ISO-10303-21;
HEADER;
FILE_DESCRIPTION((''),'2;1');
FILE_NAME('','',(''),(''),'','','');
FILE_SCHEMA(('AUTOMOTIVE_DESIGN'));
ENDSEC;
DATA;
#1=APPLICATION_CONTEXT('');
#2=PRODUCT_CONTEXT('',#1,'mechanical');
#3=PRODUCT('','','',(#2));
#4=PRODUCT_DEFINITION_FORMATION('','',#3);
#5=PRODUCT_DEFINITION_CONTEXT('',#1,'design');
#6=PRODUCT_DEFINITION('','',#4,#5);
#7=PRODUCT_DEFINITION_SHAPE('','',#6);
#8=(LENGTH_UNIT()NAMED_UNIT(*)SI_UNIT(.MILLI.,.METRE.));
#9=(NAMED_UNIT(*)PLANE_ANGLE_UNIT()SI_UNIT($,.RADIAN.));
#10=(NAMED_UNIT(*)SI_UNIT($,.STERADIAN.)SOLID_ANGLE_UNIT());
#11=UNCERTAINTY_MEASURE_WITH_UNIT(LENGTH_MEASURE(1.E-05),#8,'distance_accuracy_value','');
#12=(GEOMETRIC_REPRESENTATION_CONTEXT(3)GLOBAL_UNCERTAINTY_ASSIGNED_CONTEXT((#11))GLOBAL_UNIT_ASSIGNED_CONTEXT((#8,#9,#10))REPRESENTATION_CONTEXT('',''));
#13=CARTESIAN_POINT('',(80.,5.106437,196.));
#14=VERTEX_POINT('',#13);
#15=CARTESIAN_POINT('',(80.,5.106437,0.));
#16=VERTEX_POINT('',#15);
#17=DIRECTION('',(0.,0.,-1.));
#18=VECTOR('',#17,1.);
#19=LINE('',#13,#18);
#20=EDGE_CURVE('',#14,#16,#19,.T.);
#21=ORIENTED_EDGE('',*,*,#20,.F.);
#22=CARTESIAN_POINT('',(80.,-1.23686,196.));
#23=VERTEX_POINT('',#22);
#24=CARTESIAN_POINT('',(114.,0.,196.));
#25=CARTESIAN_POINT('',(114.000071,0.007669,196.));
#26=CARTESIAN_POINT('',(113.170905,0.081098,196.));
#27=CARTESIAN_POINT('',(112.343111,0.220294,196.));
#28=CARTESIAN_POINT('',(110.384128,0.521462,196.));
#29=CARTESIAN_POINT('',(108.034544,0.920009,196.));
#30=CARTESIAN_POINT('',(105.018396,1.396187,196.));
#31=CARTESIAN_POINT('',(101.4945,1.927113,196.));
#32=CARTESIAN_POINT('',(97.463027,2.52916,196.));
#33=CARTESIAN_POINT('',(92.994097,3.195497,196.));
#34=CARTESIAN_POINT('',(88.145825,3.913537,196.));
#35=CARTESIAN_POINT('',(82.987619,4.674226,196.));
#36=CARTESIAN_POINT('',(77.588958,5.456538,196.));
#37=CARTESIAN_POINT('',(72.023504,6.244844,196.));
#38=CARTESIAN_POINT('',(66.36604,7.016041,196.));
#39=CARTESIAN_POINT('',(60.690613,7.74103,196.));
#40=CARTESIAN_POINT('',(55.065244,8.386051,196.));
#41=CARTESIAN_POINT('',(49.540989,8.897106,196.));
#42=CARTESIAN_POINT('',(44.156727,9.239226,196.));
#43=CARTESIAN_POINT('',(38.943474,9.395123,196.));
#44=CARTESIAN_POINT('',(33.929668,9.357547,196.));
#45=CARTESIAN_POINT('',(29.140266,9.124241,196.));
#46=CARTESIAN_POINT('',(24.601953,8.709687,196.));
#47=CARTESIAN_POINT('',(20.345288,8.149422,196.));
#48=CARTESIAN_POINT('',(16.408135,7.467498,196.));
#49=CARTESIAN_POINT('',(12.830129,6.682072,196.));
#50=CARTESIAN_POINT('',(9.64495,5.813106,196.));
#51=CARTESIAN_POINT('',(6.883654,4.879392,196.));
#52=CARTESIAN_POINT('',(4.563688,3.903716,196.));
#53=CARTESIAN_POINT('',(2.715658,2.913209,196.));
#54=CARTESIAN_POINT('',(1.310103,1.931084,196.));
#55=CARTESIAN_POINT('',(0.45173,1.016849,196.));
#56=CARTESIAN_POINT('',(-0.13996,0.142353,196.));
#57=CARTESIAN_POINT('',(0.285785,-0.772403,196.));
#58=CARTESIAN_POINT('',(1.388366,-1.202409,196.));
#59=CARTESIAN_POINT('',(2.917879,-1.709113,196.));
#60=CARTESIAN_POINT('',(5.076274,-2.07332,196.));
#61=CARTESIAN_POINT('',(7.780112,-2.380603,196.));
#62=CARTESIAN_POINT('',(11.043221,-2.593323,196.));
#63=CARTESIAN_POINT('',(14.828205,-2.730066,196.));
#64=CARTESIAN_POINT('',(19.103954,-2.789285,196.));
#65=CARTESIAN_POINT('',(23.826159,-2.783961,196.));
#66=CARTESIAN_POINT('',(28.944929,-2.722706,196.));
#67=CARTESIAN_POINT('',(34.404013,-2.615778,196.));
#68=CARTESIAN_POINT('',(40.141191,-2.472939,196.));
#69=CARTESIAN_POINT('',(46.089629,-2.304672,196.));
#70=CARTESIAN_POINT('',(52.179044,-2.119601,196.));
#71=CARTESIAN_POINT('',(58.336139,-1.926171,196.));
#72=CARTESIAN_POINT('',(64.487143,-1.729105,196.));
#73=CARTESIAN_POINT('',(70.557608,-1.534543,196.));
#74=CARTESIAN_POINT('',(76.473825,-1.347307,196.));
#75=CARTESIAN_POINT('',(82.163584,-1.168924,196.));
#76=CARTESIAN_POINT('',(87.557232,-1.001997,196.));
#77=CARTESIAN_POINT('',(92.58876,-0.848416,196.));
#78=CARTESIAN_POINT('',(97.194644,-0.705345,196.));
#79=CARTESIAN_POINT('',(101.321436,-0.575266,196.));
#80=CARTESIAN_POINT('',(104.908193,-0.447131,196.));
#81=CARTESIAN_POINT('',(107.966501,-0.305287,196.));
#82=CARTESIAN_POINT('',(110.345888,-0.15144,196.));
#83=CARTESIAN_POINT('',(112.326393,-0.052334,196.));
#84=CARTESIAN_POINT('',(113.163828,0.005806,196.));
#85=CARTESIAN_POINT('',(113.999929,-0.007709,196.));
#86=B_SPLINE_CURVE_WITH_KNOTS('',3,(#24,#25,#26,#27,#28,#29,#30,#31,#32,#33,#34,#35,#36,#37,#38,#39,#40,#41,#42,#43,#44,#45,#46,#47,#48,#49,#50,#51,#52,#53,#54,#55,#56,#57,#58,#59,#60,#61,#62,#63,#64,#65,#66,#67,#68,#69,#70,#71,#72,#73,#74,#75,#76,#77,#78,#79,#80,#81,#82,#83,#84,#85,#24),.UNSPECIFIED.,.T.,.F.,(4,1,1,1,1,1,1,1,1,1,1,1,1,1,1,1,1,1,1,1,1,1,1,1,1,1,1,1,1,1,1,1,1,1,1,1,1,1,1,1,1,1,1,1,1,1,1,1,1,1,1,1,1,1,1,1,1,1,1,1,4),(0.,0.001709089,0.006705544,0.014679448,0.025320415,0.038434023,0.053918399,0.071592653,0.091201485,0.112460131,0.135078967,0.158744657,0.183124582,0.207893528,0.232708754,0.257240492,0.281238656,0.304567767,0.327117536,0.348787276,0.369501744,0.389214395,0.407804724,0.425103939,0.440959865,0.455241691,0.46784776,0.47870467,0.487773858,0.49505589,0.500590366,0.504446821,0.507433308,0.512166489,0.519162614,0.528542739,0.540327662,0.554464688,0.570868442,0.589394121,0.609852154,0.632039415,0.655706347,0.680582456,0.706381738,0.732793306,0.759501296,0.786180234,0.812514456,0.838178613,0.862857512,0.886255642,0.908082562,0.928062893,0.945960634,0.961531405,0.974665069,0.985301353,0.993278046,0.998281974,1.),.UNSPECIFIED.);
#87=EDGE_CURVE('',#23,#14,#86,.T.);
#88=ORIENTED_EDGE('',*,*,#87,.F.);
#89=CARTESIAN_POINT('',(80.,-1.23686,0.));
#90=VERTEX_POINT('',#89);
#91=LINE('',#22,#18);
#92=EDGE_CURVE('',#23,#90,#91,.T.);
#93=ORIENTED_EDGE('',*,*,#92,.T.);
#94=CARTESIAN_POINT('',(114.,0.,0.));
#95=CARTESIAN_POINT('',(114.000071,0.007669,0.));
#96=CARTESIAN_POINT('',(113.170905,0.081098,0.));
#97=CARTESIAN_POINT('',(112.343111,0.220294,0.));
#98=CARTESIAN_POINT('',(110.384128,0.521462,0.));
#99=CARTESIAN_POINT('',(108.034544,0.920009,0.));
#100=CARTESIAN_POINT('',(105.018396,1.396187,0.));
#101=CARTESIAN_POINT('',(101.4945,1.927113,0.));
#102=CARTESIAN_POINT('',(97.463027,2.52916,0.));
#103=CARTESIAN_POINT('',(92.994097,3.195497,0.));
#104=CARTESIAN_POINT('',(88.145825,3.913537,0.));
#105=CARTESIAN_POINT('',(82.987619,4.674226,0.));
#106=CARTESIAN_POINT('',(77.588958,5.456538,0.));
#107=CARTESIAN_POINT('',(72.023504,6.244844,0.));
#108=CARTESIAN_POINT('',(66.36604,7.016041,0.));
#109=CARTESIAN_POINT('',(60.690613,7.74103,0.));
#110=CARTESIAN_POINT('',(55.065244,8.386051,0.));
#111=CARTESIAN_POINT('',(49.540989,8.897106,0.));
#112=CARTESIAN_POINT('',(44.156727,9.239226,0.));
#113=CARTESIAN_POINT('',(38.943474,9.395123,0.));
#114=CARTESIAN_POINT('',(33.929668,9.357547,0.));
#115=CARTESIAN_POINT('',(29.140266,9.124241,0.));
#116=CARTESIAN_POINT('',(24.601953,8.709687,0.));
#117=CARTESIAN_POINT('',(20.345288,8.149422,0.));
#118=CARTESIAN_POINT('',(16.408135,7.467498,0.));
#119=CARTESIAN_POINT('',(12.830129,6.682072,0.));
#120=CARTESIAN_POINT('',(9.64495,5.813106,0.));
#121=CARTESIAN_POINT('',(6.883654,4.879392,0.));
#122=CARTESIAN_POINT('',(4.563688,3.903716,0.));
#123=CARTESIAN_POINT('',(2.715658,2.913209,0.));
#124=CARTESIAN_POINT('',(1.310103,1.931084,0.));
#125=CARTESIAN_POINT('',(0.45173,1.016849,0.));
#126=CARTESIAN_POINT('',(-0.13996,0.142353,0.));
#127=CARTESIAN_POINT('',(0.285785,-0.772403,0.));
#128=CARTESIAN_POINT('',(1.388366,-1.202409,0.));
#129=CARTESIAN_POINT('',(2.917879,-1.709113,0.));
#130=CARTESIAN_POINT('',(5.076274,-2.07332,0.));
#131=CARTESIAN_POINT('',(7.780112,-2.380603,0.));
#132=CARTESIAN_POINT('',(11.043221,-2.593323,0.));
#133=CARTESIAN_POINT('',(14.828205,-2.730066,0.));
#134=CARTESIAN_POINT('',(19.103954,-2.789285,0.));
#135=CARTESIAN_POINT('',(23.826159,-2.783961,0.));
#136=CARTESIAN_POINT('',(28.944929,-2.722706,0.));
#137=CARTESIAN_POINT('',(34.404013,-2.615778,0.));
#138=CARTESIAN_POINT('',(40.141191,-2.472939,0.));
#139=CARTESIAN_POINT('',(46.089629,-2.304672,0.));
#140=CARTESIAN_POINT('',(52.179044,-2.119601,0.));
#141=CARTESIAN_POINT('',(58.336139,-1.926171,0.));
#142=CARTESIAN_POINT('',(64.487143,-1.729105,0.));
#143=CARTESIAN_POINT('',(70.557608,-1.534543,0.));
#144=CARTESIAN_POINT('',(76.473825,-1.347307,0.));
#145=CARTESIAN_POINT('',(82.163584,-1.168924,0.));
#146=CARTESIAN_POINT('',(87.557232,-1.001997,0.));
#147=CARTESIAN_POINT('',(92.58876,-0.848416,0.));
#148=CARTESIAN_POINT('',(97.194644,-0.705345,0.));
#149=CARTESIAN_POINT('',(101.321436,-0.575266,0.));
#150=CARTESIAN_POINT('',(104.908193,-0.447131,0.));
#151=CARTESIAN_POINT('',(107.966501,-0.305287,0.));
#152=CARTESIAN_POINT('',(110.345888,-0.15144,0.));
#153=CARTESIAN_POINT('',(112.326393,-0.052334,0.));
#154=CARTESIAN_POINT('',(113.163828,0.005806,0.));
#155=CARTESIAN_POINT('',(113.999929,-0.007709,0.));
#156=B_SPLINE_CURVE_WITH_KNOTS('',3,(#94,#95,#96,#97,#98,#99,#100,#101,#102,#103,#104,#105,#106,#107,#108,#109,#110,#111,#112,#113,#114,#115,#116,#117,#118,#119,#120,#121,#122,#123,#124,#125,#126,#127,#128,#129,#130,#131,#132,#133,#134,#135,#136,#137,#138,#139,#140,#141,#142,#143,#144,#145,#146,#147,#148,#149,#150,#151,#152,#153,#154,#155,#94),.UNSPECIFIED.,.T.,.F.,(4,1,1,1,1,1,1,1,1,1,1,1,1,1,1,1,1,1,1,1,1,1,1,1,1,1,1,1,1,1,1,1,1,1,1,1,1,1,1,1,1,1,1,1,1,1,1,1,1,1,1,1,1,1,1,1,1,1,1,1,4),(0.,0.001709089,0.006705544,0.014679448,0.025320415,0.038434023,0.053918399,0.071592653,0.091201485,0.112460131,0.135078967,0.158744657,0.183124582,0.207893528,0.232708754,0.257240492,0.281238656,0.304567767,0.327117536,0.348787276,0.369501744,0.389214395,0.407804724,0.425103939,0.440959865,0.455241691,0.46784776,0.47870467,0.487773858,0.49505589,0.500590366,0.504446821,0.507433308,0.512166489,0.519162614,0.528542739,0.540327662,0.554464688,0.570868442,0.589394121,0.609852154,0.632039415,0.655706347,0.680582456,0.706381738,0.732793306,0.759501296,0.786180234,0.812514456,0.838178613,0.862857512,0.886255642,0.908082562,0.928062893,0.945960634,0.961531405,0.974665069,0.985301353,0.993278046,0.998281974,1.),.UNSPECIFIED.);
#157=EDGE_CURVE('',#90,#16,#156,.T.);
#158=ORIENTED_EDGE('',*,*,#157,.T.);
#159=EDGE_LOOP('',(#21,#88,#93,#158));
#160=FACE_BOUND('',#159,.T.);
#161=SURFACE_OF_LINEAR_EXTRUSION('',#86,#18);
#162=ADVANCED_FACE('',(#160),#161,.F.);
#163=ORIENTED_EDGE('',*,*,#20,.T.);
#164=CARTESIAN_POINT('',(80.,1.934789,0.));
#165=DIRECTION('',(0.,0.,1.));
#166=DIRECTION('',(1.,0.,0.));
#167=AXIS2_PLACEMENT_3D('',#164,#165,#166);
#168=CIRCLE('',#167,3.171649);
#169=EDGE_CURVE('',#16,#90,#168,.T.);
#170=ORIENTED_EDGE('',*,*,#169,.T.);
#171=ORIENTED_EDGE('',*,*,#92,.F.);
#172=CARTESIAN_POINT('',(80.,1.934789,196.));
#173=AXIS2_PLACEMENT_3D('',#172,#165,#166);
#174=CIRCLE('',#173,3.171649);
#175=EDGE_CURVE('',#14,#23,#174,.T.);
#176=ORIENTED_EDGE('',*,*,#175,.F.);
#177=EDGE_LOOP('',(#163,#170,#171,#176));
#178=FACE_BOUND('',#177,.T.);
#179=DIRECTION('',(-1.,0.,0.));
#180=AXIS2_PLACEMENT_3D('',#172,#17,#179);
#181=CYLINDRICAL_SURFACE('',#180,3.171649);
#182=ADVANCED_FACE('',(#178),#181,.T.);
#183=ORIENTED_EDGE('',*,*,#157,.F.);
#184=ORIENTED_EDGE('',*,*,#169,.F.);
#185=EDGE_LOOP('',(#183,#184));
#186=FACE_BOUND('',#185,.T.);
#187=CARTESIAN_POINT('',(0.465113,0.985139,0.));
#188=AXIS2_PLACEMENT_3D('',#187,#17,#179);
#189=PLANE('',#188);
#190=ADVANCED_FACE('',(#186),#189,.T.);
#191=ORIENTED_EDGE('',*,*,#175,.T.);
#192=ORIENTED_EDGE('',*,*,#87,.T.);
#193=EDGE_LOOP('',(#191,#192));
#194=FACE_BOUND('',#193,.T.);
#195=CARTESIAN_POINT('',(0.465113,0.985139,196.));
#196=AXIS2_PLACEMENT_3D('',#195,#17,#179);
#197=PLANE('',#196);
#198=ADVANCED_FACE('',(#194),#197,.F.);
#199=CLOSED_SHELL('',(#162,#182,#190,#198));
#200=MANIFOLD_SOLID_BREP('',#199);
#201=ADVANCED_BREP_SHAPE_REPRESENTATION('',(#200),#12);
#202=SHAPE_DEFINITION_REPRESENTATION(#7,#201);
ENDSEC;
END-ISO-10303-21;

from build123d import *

# Parameters (mm, degrees)
BOSS_EXTRUDE1_DEPTH = 196


with BuildPart() as part:
    # Sketch1 → Boss-Extrude1 (new body)
    with BuildSketch(Plane.XY):
        with BuildLine():
            ThreePointArc((80, 5.10643727), (76.82835135, 1.93478862), (80, -1.236860029))
            add(Edge.make_bspline(
                [(80, -1.236860029), (80.754133513, -1.213256452), (83.313627998, -1.133331871), (87.557232018, -1.001997255), (92.588760477, -0.848416164), (97.194643839, -0.705344581), (101.321436256, -0.575266297), (104.908193417, -0.447130761), (107.966500673, -0.305286903), (110.34588768, -0.151439695), (112.326393476, -0.052333967), (113.163828047, 0.005806118), (114.212511419, -0.011144837), (113.170904548, 0.081098126), (112.343110594, 0.220293735), (110.384127786, 0.521461873), (108.034544222, 0.920009195), (105.018396274, 1.396187001), (101.494499518, 1.927113236), (97.463027277, 2.529160239), (92.994096619, 3.195496811), (88.145824691, 3.913537354), (83.772841579, 4.558428255), (81.022533328, 4.958536929), (80, 5.10643727)],
                knots=[0.853083665, 0.853083665, 0.853083665, 0.853083665, 0.862857512, 0.886255642, 0.908082562, 0.928062893, 0.945960634, 0.961531405, 0.974665069, 0.985301353, 0.993278046, 0.998281974, 1, 1.001709089, 1.006705544, 1.014679448, 1.025320415, 1.038434023, 1.053918399, 1.071592653, 1.091201485, 1.112460131, 1.135078967, 1.148462708, 1.148462708, 1.148462708, 1.148462708], degree=3))
        make_face()
    extrude(amount=BOSS_EXTRUDE1_DEPTH)


solid = part.part
